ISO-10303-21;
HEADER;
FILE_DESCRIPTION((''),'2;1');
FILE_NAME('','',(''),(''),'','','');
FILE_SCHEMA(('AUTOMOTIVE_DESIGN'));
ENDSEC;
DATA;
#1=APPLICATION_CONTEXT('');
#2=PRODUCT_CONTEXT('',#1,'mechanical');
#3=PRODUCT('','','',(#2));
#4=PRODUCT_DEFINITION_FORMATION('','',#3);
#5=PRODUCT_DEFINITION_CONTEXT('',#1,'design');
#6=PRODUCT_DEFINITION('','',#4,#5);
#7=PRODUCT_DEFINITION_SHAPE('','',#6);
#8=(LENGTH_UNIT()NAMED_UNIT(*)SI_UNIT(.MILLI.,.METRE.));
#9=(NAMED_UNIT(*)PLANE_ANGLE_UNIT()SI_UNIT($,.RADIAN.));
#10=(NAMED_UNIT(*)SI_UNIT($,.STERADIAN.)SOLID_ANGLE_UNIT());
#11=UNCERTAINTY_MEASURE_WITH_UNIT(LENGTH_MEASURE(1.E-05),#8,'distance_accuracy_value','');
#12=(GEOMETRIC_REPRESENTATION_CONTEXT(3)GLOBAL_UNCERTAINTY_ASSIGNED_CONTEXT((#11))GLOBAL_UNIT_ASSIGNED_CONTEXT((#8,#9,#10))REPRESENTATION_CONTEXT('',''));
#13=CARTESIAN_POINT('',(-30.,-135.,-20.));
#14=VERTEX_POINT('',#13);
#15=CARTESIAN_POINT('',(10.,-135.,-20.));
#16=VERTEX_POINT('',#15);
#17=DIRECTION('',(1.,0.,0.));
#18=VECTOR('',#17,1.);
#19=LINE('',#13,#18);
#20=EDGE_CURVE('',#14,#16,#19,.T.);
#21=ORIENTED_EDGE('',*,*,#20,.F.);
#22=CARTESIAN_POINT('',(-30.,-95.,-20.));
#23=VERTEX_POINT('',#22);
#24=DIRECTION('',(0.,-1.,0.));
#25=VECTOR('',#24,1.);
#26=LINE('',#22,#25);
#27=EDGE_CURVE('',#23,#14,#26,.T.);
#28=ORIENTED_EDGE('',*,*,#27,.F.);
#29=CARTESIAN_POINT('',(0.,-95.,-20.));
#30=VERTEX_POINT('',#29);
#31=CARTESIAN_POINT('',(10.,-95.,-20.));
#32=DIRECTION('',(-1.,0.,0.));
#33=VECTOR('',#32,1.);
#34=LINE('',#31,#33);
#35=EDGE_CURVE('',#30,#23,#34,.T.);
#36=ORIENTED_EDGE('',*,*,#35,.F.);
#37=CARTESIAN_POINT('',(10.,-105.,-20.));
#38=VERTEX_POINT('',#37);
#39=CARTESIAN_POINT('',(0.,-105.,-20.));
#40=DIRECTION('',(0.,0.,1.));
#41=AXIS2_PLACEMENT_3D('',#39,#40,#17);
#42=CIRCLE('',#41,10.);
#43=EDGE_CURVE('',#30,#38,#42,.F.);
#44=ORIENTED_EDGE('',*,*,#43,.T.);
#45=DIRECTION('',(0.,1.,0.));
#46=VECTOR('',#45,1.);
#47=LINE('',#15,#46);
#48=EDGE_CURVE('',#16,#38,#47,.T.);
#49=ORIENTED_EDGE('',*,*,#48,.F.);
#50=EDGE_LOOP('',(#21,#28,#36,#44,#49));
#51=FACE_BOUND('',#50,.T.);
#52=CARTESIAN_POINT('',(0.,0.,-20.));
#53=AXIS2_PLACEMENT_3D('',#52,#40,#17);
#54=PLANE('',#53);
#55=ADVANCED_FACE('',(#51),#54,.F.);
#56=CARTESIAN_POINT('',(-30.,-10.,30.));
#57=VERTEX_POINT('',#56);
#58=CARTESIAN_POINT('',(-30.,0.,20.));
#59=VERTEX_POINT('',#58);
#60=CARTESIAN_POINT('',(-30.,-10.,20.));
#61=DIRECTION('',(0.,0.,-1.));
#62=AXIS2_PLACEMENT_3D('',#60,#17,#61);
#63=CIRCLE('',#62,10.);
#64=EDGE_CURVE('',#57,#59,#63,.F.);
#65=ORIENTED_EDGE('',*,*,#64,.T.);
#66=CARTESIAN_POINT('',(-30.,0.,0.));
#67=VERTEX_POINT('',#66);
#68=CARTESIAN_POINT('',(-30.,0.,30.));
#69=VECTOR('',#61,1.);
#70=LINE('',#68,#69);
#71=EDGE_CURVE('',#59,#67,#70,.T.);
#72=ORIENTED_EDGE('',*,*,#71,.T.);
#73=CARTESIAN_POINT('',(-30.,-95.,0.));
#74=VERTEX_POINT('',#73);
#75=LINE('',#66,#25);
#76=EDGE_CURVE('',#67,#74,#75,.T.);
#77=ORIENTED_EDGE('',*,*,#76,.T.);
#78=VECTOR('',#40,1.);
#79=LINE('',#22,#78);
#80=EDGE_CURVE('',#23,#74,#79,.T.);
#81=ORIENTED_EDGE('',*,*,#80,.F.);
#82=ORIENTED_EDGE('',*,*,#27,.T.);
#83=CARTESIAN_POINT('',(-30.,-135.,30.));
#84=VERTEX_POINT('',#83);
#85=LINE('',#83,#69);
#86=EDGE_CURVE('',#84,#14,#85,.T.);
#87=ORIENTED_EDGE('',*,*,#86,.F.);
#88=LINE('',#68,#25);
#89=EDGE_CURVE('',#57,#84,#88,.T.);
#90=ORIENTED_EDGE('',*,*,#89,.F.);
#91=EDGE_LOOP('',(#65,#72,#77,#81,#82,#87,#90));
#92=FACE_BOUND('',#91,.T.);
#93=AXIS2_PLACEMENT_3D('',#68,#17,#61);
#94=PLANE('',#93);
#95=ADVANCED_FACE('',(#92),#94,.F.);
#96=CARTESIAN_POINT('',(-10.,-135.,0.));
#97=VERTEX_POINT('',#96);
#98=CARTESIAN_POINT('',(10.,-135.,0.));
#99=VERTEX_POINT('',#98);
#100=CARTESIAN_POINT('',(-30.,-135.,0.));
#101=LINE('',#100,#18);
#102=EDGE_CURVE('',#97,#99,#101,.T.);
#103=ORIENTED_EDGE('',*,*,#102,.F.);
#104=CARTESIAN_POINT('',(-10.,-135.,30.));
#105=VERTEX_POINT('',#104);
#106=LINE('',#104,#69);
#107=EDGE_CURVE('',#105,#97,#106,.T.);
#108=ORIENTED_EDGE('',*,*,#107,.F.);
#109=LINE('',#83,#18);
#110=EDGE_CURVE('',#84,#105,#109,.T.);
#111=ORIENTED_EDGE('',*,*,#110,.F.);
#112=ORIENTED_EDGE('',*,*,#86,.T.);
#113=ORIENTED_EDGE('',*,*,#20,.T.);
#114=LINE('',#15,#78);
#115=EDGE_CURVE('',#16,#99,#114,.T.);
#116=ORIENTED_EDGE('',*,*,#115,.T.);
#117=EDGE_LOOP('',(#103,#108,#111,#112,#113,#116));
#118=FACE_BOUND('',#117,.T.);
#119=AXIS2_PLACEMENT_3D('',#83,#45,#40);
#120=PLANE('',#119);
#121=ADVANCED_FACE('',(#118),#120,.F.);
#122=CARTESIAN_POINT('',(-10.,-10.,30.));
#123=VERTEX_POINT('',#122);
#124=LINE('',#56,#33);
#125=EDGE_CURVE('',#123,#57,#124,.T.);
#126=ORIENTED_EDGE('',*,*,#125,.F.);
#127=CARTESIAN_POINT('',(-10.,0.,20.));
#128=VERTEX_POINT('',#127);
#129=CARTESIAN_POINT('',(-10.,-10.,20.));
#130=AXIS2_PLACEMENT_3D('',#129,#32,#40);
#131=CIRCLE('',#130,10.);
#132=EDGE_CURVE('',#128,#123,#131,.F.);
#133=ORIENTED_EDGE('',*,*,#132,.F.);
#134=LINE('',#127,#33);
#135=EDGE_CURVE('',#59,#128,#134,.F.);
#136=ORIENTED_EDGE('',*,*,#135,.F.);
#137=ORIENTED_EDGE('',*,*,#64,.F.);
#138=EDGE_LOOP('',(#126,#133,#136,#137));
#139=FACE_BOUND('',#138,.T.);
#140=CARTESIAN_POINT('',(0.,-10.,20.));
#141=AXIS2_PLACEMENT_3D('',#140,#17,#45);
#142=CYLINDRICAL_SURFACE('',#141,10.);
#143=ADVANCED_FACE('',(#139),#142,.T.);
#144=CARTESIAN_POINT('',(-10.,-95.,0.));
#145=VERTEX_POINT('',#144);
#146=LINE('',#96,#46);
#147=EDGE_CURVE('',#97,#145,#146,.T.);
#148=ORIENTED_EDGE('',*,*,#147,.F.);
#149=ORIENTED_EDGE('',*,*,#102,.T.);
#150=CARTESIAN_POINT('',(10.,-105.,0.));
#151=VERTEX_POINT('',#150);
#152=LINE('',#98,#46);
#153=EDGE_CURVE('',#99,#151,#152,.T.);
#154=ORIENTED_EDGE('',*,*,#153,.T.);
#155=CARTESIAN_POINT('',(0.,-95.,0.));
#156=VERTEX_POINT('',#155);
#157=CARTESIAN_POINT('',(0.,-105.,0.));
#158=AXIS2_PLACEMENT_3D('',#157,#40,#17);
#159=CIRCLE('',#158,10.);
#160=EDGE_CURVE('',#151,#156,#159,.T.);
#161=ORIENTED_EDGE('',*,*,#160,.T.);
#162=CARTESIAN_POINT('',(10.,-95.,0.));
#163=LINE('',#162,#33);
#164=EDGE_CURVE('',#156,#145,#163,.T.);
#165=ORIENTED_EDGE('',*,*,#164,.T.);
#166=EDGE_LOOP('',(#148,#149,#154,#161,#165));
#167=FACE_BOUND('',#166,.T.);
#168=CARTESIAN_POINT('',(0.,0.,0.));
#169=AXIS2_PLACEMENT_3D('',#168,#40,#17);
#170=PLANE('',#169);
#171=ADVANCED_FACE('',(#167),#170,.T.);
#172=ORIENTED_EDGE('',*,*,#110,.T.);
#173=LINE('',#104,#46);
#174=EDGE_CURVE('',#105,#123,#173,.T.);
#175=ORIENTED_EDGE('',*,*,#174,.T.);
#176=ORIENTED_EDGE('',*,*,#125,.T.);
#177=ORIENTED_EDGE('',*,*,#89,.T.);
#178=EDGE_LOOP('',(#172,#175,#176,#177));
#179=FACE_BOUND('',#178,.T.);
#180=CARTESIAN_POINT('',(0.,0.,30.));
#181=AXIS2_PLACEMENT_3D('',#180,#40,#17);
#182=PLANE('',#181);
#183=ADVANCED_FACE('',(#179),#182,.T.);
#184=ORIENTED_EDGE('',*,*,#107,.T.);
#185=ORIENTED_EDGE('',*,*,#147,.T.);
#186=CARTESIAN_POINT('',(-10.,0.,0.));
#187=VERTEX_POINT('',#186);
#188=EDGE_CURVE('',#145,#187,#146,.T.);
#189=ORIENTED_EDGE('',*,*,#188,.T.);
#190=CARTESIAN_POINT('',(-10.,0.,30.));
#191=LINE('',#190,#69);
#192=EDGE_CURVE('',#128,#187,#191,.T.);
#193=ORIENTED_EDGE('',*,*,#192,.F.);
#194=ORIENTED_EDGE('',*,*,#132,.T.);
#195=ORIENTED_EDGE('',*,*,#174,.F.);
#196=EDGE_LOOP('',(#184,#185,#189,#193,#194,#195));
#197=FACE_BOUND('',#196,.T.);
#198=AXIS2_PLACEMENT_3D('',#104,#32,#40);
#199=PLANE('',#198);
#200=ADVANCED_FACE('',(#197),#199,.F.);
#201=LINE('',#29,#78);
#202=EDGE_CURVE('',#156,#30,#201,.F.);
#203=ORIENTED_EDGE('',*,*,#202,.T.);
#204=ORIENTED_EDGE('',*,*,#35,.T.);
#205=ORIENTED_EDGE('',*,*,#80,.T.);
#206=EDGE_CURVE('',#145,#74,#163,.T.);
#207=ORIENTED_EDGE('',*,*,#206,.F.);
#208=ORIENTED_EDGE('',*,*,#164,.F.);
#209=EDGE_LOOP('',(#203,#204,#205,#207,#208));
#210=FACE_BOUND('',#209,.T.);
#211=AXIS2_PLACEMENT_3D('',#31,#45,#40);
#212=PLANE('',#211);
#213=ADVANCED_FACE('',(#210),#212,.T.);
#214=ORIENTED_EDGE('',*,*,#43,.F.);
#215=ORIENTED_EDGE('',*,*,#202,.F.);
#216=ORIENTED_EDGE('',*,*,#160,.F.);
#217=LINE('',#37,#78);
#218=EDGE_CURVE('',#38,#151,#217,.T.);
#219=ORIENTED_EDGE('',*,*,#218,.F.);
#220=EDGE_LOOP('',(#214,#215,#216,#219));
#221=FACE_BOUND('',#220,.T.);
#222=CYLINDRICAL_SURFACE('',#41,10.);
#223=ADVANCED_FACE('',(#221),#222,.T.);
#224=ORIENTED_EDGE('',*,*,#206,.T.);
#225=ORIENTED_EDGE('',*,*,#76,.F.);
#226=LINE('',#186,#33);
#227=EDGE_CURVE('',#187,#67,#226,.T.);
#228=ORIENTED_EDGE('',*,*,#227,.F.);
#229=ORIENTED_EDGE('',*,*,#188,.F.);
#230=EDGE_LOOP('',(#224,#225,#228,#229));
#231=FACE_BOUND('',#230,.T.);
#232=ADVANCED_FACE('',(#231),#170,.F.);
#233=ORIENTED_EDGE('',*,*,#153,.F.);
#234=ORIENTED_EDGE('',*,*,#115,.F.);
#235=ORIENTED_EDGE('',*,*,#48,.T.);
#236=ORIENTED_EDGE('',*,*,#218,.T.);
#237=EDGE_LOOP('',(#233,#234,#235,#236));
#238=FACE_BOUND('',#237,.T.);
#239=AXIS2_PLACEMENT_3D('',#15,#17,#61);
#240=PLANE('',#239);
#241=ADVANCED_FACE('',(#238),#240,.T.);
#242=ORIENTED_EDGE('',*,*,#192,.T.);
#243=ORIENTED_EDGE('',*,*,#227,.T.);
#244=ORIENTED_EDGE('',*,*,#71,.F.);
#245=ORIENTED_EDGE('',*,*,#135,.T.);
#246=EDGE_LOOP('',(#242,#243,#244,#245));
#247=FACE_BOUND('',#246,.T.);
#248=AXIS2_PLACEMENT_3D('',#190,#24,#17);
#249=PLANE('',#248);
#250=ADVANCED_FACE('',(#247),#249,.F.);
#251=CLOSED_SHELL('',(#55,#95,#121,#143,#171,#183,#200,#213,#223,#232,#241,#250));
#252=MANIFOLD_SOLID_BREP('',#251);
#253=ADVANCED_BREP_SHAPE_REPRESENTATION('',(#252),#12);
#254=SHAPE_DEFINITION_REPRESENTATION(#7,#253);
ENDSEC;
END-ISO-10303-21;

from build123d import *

# Parameters (mm, degrees)
SKETCH1_W           = 20
SKETCH1_H           = 135
BOSS_EXTRUDE1_DEPTH = 30
SKETCH2_W           = 40
SKETCH2_H           = 40
BOSS_EXTRUDE2_DEPTH = 20
FILLET1_R           = 10


with BuildPart() as part:
    # Sketch1 → Boss-Extrude1 (new body)
    with BuildSketch(Plane.XY):
        with Locations((-20, -67.5)):
            Rectangle(SKETCH1_W, SKETCH1_H)
    extrude(amount=BOSS_EXTRUDE1_DEPTH)

    # Sketch2 → Boss-Extrude2 (add)
    with BuildSketch(Plane.XY):
        with Locations((-10, -115)):
            Rectangle(SKETCH2_W, SKETCH2_H)
    extrude(amount=-BOSS_EXTRUDE2_DEPTH)

    # Fillet1
    fillet1_edges = [part.edges().sort_by_distance(p)[0] for p in [
        (10, -95, -10),
        (-20, 0, 30),
    ]]
    fillet(fillet1_edges, radius=FILLET1_R)


solid = part.part
